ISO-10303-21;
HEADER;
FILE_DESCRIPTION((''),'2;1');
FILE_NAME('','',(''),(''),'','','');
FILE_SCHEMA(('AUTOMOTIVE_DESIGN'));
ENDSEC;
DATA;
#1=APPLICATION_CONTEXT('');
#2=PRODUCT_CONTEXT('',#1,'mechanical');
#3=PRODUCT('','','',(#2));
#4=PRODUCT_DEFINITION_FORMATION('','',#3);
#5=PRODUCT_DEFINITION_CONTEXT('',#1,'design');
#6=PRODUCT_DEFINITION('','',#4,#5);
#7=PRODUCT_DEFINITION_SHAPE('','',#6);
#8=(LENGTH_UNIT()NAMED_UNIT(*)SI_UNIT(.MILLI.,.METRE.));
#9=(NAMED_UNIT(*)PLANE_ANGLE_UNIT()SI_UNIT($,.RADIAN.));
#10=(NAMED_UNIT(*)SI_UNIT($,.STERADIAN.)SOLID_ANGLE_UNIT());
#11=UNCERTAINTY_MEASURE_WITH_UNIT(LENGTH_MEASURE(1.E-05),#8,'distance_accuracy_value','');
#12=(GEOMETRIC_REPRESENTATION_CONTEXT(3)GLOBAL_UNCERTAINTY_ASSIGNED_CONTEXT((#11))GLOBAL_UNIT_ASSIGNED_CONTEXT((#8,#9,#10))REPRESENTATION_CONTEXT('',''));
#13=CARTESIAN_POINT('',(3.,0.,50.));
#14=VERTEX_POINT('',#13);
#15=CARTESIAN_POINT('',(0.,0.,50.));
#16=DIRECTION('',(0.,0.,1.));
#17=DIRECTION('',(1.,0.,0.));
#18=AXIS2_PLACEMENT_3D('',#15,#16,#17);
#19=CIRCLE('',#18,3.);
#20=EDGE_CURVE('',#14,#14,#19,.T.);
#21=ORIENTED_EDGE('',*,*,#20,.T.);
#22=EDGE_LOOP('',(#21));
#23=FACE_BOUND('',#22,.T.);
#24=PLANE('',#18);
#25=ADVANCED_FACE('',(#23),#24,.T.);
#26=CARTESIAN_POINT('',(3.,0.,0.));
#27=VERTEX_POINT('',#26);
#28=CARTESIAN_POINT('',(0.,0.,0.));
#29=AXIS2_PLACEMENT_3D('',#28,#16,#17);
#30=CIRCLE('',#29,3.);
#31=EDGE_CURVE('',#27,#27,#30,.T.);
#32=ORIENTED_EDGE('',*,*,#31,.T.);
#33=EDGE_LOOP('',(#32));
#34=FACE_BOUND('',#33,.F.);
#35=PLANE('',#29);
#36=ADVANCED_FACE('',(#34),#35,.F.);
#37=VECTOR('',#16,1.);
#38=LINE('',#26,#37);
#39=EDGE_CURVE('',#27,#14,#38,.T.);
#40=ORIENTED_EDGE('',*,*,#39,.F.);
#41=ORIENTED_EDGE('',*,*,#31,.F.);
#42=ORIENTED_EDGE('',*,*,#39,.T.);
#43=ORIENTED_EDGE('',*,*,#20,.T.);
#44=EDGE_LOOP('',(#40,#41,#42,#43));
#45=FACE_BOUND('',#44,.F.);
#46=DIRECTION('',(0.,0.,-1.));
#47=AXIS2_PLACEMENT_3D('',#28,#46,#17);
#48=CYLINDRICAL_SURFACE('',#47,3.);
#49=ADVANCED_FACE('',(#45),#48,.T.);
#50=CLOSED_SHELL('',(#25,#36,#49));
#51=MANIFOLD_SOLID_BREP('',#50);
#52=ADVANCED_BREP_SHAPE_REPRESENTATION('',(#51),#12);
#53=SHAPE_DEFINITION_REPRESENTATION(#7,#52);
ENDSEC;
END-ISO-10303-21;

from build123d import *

# Parameters (mm, degrees)
SKETCH1_R           = 3
BOSS_EXTRUDE1_DEPTH = 50


with BuildPart() as part:
    # Sketch1 → Boss-Extrude1 (new body)
    with BuildSketch(Plane.XY):
        Circle(SKETCH1_R)
    extrude(amount=BOSS_EXTRUDE1_DEPTH)


solid = part.part
